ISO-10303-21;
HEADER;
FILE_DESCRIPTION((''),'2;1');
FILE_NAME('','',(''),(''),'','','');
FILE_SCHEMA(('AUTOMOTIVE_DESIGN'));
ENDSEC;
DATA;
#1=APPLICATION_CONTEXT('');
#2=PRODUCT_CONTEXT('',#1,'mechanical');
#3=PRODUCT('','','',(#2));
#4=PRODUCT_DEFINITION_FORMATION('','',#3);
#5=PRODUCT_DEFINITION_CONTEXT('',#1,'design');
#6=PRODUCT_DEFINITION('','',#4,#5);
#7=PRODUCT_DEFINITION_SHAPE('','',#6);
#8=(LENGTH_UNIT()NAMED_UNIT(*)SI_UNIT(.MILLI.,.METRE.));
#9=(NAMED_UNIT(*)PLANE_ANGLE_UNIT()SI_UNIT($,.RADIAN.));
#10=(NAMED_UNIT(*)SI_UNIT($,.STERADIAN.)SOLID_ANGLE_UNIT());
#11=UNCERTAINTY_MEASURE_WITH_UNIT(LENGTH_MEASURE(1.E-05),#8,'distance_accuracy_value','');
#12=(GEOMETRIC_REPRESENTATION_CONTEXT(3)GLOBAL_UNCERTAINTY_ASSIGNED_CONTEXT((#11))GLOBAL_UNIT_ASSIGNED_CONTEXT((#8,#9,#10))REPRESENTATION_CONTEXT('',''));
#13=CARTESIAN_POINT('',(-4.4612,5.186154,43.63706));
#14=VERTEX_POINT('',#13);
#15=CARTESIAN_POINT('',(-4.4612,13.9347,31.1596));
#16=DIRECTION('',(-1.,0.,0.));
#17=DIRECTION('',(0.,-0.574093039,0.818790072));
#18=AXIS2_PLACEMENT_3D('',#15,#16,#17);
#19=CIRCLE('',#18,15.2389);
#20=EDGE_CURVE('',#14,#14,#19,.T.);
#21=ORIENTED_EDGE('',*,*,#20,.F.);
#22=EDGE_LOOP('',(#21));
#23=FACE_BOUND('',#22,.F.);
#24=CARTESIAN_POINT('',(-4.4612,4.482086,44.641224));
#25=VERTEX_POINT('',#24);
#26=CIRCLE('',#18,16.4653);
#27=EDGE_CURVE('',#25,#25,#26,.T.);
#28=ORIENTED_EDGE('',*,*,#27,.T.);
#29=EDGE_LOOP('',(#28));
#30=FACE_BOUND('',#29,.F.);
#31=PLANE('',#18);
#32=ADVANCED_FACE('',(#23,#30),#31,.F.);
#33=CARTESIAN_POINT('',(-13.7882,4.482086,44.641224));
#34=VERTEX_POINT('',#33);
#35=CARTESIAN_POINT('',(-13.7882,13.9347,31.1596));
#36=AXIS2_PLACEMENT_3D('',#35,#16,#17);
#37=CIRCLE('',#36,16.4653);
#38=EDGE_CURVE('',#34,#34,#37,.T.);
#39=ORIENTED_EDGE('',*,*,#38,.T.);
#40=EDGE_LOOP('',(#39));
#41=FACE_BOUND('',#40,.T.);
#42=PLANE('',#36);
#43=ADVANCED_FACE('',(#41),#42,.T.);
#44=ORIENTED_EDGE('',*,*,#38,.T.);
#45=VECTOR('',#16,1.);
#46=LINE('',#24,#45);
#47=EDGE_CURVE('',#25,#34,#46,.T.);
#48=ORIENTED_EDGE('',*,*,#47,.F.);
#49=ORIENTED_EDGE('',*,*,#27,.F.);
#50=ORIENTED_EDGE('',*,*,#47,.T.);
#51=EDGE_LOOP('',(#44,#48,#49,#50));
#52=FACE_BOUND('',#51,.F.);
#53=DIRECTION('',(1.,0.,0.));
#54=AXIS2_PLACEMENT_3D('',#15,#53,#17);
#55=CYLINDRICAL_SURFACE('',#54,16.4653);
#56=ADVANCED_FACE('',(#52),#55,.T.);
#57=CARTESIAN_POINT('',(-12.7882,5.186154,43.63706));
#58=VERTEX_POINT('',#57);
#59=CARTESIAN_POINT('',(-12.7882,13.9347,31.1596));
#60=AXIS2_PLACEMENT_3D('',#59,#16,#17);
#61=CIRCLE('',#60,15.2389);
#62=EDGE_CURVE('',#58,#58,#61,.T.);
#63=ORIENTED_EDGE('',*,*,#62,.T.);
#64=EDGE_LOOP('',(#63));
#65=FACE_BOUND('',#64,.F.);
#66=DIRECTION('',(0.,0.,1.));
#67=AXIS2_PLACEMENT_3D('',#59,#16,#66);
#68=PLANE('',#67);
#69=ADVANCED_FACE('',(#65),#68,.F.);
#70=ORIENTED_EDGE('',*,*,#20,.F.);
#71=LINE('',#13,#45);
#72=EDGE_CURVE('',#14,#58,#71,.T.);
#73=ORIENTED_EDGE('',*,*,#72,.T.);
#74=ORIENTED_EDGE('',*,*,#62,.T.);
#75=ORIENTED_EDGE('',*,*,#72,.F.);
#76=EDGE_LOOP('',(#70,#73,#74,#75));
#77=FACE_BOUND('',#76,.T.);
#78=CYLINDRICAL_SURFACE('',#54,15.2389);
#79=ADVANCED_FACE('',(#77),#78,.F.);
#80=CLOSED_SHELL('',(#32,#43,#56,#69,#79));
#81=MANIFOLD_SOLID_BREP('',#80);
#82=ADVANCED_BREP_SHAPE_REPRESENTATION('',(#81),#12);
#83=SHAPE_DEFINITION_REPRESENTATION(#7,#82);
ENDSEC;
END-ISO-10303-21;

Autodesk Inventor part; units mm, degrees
ref_plane "YZ Plane" through (0, 0, 0) normal (1, 0, 0) x (0, 1, 0)
ref_plane "XZ Plane" through (0, 0, 0) normal (0, 1, 0) x (-1, 0, 0)
ref_plane "XY Plane" through (0, 0, 0) normal (0, 0, 1) x (1, 0, 0)
ref_plane "Work Plane1" through (-4.4612, 13.9347, 31.1596) normal (-1, 0, 0) x (0, -0.5741, 0.8188)
sketch "Sketch1" plane through (-4.4612, 13.9347, 31.1596) normal (-1, 0, 0) x (0, -0.5741, 0.8188)
  circle A0 centre (0, 0) radius 16.4653 construction
  arc A1 (-8.9965, -1.0986) -> (8.4267, -3.3371) centre (0, 0) ccw construction
  line L0 (-8.9965, -1.0986) -> (-3.439, -1.0986) construction
  arc A2 (-3.439, -1.0986) -> (1.3777, -3.3371) centre (0, 0) ccw construction
  line L1 (1.3777, -3.3371) -> (8.4267, -3.3371) construction
  line L2 (8.4267, 3.3371) -> (1.3777, 3.3371) construction
  arc A3 (1.3777, 3.3371) -> (-3.439, 1.0986) centre (0, 0) ccw construction
  line L3 (-3.439, 1.0986) -> (-8.9965, 1.0986) construction
  arc A4 (8.4267, 3.3371) -> (-8.9965, 1.0986) centre (0, 0) ccw construction
  arc A5 (-7.3545, -6.9867) -> (-10.7722, -10.2334) centre (-9.0634, -8.61) ccw construction
  arc A6 (-7.3545, -6.9867) -> (6.7299, -7.5902) centre (0, 0) ccw construction
  arc A7 (9.8573, -11.1174) -> (6.7299, -7.5902) centre (8.2936, -9.3538) ccw construction
  arc A8 (-10.7722, -10.2334) -> (9.8573, -11.1174) centre (0, 0) ccw construction
  arc A9 (6.7299, 7.5902) -> (-7.3545, 6.9867) centre (0, 0) ccw construction
  arc A10 (-10.7722, 10.2334) -> (-7.3545, 6.9867) centre (-9.0634, 8.61) ccw construction
  arc A11 (9.8573, 11.1174) -> (-10.7722, 10.2334) centre (0, 0) ccw construction
  arc A12 (6.7299, 7.5902) -> (9.8573, 11.1174) centre (8.2936, 9.3538) ccw construction
  line L4 (1.6496, 2.4654) -> (13.6732, 2.4654) construction
  arc A13 (13.6732, -2.4654) -> (13.6732, 2.4654) centre (0, 0) ccw construction
  line L5 (13.6732, -2.4654) -> (1.6496, -2.4654) construction
  arc A14 (1.6496, 2.4654) -> (1.6496, -2.4654) centre (0, 0) ccw construction
  circle A15 centre (0, 0) radius 16.4653
  circle A16 centre (0, 0) radius 15.2389
  point P0 (-17.5128, -29.2984)
extrude "Extrusion1" add sketch "Sketch1" along normal blind 9.327
sketch "Sketch2" plane through (-13.7882, 13.9347, 31.1596) normal (-1, 0, 0) x (0, 0, 1)
  circle A0 centre (0, 0) radius 16.4653 projected
  circle A1 centre (0, 0) radius 15.2389 projected
  point P0 (-31.1596, -13.9347)
extrude "Extrusion2" add sketch "Sketch2" against normal blind 1 contours A1
